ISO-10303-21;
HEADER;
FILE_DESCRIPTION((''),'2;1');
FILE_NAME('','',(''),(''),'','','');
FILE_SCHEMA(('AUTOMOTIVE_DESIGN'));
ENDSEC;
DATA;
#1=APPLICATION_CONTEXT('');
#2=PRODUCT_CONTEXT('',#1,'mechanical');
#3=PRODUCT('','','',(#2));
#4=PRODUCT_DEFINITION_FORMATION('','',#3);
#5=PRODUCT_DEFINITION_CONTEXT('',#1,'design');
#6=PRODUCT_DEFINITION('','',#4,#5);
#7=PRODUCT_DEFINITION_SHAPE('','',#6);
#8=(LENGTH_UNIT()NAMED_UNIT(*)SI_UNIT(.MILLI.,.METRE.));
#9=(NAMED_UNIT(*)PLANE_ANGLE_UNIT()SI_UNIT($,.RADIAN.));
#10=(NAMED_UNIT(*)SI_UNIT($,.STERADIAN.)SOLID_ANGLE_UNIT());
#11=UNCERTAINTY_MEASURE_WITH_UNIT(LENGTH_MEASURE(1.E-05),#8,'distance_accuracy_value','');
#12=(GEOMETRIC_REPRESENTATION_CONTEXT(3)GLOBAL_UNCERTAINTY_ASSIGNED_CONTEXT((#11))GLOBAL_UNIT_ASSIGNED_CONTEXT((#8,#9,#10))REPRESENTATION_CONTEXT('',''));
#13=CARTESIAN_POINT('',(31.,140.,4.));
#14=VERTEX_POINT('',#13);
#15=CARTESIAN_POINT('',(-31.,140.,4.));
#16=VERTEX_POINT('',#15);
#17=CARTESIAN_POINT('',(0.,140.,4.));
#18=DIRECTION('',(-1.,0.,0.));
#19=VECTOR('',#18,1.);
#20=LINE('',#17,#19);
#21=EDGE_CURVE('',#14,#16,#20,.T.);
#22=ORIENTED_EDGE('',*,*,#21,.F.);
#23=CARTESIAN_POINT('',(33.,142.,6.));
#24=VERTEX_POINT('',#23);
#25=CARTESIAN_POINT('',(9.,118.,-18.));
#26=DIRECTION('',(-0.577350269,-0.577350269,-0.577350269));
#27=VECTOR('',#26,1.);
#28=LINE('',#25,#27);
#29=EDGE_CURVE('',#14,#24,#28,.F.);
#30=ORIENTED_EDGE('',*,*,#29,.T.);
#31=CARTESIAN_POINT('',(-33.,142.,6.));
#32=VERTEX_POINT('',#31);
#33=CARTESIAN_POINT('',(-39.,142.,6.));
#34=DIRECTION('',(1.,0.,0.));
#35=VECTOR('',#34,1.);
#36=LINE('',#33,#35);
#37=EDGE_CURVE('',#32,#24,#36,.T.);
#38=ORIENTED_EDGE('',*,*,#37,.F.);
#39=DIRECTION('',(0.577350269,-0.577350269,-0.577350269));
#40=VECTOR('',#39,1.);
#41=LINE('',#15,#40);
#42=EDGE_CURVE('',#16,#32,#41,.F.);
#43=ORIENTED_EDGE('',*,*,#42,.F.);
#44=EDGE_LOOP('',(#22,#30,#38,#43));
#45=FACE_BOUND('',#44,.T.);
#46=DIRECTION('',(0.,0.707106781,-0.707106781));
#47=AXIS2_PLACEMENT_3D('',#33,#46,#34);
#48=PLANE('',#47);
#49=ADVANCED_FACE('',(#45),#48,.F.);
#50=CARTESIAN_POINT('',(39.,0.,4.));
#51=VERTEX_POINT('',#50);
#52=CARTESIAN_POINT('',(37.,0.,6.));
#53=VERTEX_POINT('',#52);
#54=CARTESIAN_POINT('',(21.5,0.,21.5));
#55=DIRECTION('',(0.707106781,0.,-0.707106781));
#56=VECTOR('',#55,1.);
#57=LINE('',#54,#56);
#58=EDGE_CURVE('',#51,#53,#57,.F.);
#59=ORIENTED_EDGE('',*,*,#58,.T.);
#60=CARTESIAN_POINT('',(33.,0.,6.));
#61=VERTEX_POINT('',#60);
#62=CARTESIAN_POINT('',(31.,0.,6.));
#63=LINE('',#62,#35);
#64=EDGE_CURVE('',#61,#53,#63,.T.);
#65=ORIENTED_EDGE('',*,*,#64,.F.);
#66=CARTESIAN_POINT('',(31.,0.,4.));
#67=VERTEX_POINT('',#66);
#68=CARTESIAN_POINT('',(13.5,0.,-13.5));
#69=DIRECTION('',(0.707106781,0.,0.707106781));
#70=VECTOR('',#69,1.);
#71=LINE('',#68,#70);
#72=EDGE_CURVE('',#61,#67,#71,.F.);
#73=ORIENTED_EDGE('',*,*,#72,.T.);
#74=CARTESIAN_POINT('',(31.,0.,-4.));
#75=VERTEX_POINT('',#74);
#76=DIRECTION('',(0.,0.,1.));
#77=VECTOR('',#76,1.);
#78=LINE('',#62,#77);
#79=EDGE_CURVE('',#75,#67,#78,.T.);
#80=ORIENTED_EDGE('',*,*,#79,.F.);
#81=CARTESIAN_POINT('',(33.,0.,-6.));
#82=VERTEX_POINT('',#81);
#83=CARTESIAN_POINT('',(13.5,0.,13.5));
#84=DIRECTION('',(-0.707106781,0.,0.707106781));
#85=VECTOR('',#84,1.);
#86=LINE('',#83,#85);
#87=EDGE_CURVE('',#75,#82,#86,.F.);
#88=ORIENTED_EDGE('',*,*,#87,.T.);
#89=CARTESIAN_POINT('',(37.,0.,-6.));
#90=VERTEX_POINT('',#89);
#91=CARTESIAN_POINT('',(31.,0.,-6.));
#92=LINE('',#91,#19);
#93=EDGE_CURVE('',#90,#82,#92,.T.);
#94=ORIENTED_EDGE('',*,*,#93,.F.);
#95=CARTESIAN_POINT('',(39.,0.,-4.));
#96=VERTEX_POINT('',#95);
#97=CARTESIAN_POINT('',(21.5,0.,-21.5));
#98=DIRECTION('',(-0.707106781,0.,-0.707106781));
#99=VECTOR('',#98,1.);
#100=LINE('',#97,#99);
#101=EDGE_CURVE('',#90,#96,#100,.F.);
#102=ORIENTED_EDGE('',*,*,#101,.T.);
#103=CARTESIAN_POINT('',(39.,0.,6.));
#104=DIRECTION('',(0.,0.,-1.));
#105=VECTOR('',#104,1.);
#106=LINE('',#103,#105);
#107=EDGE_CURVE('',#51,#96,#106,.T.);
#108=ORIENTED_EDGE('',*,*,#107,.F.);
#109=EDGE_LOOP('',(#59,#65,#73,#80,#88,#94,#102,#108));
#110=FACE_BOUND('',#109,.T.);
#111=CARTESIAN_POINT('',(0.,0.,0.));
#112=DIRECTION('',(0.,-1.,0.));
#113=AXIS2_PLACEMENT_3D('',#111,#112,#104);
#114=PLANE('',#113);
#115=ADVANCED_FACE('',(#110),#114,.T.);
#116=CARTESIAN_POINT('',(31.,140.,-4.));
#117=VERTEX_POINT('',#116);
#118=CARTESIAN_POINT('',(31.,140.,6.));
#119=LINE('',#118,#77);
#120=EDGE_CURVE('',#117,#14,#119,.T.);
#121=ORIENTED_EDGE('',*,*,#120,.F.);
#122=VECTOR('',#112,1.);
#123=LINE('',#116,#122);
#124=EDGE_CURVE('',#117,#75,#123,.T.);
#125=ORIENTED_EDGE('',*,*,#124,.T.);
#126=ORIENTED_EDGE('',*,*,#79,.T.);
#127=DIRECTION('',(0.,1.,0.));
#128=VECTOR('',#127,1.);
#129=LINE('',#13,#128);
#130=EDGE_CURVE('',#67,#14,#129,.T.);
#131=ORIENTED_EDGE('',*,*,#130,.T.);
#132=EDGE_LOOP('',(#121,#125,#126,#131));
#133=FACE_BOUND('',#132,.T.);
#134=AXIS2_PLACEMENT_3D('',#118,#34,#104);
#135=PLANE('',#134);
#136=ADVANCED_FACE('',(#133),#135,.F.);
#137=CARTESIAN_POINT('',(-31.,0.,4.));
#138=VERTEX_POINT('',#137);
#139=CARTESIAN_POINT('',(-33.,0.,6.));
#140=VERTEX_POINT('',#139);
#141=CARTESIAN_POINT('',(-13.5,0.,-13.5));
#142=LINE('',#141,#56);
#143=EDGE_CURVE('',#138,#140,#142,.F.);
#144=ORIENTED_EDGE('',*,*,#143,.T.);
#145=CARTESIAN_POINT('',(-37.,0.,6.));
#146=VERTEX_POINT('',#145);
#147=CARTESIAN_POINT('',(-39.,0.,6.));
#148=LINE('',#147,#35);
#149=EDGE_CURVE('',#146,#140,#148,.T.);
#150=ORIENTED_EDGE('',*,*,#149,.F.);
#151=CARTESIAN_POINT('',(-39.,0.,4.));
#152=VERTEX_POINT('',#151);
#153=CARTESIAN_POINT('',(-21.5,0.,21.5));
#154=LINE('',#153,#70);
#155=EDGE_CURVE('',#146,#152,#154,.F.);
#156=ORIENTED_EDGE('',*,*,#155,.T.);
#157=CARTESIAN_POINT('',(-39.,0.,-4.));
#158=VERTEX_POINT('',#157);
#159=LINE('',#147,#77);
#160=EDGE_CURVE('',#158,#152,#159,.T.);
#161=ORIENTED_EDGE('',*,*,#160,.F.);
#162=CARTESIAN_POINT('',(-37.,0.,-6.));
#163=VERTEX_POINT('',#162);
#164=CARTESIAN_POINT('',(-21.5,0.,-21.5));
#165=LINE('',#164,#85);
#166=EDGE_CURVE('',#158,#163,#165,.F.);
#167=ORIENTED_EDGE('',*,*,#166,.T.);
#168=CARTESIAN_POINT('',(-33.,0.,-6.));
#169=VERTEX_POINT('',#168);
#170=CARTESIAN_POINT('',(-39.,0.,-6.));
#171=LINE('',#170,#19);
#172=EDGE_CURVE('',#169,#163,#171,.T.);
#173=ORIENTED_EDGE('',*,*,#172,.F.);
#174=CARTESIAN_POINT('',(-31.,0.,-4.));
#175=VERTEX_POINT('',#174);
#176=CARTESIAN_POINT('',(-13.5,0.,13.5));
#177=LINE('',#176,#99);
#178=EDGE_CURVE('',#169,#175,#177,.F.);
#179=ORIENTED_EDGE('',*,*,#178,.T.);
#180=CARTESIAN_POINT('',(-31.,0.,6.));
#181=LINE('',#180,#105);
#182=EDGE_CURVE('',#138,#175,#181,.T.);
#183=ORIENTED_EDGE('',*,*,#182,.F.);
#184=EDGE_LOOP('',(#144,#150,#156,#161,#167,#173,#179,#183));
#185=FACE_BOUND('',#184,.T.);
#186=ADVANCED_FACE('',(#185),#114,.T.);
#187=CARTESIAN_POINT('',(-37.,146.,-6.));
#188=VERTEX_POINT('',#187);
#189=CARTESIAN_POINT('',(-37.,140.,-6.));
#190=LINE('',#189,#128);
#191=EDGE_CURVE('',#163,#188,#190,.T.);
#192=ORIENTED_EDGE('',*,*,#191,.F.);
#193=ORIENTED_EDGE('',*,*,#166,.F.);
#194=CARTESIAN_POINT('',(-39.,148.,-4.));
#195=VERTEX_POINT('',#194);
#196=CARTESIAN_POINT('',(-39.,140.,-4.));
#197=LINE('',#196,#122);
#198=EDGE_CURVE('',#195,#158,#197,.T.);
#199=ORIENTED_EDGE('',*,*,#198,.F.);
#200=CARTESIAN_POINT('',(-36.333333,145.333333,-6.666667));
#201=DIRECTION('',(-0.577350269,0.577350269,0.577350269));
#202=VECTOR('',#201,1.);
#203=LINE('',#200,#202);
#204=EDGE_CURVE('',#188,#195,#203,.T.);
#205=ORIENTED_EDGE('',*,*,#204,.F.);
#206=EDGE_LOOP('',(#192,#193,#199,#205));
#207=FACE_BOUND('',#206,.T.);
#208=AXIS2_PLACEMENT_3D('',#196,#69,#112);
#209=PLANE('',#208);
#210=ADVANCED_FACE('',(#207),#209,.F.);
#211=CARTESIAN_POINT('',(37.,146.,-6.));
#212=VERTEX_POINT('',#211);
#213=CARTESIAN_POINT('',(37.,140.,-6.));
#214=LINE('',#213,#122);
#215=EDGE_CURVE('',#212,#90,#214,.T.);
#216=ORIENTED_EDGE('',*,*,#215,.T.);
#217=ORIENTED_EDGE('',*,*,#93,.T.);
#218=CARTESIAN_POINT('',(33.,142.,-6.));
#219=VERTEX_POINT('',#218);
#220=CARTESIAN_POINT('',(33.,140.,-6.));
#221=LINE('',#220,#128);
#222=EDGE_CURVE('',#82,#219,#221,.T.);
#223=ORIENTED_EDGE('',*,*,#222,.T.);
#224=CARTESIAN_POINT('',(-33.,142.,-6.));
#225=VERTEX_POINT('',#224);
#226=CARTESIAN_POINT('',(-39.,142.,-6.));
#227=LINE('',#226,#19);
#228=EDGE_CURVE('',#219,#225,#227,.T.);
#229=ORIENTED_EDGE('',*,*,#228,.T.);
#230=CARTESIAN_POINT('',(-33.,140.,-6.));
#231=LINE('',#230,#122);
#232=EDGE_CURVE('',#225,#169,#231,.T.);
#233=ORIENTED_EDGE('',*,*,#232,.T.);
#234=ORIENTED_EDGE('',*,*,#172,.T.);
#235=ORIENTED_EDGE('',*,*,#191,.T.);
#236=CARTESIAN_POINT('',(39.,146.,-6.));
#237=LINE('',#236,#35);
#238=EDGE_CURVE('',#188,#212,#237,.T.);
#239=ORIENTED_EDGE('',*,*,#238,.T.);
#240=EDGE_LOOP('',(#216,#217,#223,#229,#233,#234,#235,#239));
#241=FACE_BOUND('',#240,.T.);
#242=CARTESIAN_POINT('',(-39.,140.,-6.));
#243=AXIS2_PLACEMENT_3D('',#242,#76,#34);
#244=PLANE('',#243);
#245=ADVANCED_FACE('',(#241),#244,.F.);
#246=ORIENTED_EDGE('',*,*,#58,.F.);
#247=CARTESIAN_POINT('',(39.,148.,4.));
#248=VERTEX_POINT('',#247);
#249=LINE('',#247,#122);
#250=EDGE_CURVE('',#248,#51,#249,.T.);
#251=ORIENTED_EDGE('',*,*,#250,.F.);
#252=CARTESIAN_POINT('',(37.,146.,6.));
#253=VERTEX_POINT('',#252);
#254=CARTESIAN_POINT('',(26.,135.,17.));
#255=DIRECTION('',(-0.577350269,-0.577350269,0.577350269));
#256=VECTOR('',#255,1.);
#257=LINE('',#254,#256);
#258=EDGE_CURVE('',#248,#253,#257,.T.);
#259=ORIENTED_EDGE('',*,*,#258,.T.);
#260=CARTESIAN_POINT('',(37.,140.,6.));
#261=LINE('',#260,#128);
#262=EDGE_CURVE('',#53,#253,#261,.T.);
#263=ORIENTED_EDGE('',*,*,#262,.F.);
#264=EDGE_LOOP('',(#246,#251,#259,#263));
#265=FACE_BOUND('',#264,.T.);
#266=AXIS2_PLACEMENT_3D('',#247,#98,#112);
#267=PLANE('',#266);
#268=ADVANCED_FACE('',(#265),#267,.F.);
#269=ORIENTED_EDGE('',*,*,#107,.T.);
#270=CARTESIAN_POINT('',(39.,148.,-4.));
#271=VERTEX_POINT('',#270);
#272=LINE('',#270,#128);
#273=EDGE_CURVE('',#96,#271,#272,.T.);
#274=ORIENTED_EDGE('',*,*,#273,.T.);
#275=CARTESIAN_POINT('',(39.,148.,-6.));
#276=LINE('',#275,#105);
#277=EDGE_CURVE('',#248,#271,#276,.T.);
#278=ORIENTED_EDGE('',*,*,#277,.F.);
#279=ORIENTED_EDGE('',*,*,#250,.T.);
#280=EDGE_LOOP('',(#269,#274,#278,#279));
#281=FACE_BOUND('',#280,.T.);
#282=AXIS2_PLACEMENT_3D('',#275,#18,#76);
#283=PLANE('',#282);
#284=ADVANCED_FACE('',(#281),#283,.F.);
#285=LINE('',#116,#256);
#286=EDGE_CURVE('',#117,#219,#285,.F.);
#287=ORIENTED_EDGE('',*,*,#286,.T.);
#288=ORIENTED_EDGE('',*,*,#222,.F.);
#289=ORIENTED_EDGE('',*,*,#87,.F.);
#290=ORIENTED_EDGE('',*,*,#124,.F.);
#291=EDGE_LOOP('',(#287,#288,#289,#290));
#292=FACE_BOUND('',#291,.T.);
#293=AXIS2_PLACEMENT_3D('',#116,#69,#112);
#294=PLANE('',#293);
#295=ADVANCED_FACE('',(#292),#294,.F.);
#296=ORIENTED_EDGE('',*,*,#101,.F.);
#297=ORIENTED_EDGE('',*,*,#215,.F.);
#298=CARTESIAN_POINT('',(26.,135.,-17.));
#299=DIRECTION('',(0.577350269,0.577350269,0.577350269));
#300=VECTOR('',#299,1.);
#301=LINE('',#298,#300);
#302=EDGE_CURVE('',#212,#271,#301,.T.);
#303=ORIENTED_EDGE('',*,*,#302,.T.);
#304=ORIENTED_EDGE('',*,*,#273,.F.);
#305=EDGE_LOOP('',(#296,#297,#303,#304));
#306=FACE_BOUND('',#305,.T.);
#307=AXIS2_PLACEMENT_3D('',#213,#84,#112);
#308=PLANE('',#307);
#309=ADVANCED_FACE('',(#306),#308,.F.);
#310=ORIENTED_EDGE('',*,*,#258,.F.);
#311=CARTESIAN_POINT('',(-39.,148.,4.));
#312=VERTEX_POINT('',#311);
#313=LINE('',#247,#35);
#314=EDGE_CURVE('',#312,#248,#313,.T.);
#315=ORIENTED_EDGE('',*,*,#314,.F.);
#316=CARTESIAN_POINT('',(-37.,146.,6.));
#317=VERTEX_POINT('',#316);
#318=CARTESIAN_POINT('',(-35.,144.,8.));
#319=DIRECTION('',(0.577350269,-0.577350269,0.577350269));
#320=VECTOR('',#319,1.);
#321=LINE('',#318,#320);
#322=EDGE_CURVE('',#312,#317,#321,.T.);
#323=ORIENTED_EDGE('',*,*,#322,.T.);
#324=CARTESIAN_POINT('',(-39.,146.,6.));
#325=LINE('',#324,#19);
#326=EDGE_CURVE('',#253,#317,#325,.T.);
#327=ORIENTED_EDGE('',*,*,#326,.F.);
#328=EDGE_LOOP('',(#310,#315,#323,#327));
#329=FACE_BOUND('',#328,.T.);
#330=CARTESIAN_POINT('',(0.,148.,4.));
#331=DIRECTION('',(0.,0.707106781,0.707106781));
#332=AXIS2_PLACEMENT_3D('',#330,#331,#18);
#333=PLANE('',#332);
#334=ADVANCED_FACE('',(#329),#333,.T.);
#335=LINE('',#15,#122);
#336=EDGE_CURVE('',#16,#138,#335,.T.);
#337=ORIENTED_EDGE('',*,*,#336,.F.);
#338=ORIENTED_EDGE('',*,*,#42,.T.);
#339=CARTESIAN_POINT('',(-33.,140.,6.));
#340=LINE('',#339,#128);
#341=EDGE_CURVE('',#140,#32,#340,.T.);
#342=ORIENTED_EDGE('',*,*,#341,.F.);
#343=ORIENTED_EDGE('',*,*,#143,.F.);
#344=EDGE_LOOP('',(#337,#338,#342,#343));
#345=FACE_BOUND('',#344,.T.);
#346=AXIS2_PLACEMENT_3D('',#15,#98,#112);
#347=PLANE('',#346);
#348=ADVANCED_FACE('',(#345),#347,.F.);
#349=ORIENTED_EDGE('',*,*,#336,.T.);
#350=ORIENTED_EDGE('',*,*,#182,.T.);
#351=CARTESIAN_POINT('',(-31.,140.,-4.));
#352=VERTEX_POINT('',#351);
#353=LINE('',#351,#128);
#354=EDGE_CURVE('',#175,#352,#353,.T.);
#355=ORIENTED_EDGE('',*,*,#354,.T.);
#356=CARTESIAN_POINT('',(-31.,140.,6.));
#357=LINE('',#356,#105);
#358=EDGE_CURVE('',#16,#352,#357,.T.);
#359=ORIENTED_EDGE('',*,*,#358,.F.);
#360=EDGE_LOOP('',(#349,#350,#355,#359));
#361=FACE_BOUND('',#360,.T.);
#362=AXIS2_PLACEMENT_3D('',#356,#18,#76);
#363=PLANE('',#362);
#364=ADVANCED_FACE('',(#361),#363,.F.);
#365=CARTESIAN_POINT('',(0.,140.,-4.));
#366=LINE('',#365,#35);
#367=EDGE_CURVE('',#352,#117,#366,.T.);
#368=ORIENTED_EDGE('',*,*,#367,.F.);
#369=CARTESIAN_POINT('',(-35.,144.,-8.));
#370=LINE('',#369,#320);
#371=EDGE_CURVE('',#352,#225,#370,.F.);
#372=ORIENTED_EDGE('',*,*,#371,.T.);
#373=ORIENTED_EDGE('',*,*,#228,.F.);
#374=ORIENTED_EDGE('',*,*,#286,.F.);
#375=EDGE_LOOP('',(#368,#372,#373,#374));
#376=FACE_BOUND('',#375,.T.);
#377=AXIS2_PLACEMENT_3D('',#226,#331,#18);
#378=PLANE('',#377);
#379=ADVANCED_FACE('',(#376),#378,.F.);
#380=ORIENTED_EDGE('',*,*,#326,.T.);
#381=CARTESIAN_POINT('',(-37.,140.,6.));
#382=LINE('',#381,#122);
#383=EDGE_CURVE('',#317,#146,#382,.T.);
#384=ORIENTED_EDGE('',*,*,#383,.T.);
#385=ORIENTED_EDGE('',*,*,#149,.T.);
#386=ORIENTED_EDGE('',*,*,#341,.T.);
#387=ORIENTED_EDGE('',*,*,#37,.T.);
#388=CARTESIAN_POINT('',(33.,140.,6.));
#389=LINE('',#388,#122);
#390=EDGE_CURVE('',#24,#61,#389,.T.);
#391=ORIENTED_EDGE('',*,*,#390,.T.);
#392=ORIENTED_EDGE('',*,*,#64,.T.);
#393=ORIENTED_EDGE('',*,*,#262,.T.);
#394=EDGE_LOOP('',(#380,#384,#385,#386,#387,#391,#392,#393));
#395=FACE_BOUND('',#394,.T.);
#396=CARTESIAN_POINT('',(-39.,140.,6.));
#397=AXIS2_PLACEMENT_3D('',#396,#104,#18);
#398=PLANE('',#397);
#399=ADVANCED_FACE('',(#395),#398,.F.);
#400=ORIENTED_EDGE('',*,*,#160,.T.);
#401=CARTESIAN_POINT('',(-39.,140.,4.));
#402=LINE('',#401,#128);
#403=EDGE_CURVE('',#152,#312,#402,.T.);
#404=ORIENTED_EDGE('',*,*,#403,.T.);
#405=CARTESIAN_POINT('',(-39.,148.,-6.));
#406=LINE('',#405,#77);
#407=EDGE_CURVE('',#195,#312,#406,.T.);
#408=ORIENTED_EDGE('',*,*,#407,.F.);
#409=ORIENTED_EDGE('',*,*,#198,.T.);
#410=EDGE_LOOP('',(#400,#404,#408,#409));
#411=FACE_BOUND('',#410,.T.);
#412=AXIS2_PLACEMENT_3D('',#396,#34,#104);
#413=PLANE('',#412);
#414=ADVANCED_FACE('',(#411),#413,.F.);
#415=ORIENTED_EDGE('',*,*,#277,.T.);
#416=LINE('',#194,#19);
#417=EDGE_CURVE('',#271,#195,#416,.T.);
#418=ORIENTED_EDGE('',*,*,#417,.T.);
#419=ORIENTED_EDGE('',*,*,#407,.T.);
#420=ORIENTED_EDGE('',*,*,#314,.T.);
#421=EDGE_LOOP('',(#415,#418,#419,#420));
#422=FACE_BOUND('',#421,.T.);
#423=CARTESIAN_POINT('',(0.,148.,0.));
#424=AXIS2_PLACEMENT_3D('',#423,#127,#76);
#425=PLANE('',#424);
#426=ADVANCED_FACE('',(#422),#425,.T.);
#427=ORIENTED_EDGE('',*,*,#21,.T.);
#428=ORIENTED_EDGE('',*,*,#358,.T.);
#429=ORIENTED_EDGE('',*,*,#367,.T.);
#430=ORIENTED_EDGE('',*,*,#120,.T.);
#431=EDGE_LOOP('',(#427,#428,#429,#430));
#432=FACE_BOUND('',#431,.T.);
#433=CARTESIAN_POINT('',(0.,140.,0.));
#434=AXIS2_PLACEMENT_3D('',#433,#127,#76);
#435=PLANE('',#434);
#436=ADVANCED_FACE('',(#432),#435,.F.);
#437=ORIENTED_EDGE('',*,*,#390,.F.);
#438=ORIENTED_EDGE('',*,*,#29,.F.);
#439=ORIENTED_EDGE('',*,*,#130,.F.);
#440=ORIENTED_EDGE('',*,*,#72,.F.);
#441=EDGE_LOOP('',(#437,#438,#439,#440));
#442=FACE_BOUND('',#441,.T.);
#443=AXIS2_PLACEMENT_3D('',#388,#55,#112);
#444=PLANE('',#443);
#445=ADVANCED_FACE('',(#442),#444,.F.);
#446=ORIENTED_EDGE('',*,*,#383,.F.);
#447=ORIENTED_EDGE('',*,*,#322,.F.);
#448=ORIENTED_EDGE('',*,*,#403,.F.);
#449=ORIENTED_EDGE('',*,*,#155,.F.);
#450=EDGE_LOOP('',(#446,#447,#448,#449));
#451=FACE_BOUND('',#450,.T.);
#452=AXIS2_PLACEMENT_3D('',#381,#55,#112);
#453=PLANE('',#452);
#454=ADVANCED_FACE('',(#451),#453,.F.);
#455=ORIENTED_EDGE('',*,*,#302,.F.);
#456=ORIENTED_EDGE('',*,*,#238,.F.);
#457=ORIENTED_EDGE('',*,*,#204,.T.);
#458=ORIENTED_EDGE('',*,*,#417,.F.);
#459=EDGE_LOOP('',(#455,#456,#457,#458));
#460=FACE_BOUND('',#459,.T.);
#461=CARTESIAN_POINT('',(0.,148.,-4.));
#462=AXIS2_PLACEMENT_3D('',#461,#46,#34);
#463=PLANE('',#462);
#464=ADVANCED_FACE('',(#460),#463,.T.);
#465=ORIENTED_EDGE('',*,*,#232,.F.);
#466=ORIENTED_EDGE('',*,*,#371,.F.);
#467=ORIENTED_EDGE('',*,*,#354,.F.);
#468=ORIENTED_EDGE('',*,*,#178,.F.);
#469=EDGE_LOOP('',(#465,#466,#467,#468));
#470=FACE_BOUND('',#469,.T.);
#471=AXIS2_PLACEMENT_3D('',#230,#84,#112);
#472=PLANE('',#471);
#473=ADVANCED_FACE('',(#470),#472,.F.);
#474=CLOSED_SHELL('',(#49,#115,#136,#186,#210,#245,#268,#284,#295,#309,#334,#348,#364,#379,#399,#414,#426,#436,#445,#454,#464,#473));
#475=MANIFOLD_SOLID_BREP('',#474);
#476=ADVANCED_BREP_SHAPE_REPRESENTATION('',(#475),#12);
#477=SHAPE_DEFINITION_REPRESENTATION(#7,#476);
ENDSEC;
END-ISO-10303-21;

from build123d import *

# Parameters (mm, degrees)
SKETCH1_W             = 8
SKETCH1_H             = 12
BOSS_EXTRUDE1_DEPTH   = 140
BOSS_EXTRUDE1_2_DEPTH = 140
SKETCH2_W             = 78
SKETCH2_H             = 12
BOSS_EXTRUDE2_DEPTH   = 8
CHAMFER1_SIZE         = 2


with BuildPart() as part:
    # Sketch1 → Boss-Extrude1 (new body)
    with BuildSketch(Plane(origin=(0, 0, 0), x_dir=(1, 0, 0), z_dir=(0, 1, 0))):
        with Locations((-35, 0)):
            Rectangle(SKETCH1_W, SKETCH1_H)
    extrude(amount=BOSS_EXTRUDE1_DEPTH)



with BuildPart() as body_2:
    # Sketch1 → Boss-Extrude1 2 (new body)
    with BuildSketch(Plane(origin=(0, 0, 0), x_dir=(1, 0, 0), z_dir=(0, 1, 0))):
        with Locations((35, 0)):
            Rectangle(SKETCH1_W, SKETCH1_H)
    extrude(amount=BOSS_EXTRUDE1_2_DEPTH)


with BuildPart() as part_1:
    add(part.part)

    add(body_2.part)  # Boss-Extrude2 merges body 2
    # Sketch2 → Boss-Extrude2 (add)
    with BuildSketch(Plane(origin=(0, 140, 0), x_dir=(1, 0, 0), z_dir=(0, 1, 0))):
        Rectangle(SKETCH2_W, SKETCH2_H)
    extrude(amount=BOSS_EXTRUDE2_DEPTH)

    # Chamfer1
    chamfer1_edges = [part_1.edges().sort_by_distance(p)[0] for p in [
        (0, 140, 6),
        (39, 74, 6),
        (39, 74, -6),
        (0, 148, 6),
        (0, 148, -6),
        (0, 140, -6),
        (31, 70, -6),
        (31, 70, 6),
        (-31, 70, 6),
        (-39, 74, 6),
        (-39, 74, -6),
        (-31, 70, -6),
    ]]
    chamfer(chamfer1_edges, length=CHAMFER1_SIZE)


solid = part_1.part
